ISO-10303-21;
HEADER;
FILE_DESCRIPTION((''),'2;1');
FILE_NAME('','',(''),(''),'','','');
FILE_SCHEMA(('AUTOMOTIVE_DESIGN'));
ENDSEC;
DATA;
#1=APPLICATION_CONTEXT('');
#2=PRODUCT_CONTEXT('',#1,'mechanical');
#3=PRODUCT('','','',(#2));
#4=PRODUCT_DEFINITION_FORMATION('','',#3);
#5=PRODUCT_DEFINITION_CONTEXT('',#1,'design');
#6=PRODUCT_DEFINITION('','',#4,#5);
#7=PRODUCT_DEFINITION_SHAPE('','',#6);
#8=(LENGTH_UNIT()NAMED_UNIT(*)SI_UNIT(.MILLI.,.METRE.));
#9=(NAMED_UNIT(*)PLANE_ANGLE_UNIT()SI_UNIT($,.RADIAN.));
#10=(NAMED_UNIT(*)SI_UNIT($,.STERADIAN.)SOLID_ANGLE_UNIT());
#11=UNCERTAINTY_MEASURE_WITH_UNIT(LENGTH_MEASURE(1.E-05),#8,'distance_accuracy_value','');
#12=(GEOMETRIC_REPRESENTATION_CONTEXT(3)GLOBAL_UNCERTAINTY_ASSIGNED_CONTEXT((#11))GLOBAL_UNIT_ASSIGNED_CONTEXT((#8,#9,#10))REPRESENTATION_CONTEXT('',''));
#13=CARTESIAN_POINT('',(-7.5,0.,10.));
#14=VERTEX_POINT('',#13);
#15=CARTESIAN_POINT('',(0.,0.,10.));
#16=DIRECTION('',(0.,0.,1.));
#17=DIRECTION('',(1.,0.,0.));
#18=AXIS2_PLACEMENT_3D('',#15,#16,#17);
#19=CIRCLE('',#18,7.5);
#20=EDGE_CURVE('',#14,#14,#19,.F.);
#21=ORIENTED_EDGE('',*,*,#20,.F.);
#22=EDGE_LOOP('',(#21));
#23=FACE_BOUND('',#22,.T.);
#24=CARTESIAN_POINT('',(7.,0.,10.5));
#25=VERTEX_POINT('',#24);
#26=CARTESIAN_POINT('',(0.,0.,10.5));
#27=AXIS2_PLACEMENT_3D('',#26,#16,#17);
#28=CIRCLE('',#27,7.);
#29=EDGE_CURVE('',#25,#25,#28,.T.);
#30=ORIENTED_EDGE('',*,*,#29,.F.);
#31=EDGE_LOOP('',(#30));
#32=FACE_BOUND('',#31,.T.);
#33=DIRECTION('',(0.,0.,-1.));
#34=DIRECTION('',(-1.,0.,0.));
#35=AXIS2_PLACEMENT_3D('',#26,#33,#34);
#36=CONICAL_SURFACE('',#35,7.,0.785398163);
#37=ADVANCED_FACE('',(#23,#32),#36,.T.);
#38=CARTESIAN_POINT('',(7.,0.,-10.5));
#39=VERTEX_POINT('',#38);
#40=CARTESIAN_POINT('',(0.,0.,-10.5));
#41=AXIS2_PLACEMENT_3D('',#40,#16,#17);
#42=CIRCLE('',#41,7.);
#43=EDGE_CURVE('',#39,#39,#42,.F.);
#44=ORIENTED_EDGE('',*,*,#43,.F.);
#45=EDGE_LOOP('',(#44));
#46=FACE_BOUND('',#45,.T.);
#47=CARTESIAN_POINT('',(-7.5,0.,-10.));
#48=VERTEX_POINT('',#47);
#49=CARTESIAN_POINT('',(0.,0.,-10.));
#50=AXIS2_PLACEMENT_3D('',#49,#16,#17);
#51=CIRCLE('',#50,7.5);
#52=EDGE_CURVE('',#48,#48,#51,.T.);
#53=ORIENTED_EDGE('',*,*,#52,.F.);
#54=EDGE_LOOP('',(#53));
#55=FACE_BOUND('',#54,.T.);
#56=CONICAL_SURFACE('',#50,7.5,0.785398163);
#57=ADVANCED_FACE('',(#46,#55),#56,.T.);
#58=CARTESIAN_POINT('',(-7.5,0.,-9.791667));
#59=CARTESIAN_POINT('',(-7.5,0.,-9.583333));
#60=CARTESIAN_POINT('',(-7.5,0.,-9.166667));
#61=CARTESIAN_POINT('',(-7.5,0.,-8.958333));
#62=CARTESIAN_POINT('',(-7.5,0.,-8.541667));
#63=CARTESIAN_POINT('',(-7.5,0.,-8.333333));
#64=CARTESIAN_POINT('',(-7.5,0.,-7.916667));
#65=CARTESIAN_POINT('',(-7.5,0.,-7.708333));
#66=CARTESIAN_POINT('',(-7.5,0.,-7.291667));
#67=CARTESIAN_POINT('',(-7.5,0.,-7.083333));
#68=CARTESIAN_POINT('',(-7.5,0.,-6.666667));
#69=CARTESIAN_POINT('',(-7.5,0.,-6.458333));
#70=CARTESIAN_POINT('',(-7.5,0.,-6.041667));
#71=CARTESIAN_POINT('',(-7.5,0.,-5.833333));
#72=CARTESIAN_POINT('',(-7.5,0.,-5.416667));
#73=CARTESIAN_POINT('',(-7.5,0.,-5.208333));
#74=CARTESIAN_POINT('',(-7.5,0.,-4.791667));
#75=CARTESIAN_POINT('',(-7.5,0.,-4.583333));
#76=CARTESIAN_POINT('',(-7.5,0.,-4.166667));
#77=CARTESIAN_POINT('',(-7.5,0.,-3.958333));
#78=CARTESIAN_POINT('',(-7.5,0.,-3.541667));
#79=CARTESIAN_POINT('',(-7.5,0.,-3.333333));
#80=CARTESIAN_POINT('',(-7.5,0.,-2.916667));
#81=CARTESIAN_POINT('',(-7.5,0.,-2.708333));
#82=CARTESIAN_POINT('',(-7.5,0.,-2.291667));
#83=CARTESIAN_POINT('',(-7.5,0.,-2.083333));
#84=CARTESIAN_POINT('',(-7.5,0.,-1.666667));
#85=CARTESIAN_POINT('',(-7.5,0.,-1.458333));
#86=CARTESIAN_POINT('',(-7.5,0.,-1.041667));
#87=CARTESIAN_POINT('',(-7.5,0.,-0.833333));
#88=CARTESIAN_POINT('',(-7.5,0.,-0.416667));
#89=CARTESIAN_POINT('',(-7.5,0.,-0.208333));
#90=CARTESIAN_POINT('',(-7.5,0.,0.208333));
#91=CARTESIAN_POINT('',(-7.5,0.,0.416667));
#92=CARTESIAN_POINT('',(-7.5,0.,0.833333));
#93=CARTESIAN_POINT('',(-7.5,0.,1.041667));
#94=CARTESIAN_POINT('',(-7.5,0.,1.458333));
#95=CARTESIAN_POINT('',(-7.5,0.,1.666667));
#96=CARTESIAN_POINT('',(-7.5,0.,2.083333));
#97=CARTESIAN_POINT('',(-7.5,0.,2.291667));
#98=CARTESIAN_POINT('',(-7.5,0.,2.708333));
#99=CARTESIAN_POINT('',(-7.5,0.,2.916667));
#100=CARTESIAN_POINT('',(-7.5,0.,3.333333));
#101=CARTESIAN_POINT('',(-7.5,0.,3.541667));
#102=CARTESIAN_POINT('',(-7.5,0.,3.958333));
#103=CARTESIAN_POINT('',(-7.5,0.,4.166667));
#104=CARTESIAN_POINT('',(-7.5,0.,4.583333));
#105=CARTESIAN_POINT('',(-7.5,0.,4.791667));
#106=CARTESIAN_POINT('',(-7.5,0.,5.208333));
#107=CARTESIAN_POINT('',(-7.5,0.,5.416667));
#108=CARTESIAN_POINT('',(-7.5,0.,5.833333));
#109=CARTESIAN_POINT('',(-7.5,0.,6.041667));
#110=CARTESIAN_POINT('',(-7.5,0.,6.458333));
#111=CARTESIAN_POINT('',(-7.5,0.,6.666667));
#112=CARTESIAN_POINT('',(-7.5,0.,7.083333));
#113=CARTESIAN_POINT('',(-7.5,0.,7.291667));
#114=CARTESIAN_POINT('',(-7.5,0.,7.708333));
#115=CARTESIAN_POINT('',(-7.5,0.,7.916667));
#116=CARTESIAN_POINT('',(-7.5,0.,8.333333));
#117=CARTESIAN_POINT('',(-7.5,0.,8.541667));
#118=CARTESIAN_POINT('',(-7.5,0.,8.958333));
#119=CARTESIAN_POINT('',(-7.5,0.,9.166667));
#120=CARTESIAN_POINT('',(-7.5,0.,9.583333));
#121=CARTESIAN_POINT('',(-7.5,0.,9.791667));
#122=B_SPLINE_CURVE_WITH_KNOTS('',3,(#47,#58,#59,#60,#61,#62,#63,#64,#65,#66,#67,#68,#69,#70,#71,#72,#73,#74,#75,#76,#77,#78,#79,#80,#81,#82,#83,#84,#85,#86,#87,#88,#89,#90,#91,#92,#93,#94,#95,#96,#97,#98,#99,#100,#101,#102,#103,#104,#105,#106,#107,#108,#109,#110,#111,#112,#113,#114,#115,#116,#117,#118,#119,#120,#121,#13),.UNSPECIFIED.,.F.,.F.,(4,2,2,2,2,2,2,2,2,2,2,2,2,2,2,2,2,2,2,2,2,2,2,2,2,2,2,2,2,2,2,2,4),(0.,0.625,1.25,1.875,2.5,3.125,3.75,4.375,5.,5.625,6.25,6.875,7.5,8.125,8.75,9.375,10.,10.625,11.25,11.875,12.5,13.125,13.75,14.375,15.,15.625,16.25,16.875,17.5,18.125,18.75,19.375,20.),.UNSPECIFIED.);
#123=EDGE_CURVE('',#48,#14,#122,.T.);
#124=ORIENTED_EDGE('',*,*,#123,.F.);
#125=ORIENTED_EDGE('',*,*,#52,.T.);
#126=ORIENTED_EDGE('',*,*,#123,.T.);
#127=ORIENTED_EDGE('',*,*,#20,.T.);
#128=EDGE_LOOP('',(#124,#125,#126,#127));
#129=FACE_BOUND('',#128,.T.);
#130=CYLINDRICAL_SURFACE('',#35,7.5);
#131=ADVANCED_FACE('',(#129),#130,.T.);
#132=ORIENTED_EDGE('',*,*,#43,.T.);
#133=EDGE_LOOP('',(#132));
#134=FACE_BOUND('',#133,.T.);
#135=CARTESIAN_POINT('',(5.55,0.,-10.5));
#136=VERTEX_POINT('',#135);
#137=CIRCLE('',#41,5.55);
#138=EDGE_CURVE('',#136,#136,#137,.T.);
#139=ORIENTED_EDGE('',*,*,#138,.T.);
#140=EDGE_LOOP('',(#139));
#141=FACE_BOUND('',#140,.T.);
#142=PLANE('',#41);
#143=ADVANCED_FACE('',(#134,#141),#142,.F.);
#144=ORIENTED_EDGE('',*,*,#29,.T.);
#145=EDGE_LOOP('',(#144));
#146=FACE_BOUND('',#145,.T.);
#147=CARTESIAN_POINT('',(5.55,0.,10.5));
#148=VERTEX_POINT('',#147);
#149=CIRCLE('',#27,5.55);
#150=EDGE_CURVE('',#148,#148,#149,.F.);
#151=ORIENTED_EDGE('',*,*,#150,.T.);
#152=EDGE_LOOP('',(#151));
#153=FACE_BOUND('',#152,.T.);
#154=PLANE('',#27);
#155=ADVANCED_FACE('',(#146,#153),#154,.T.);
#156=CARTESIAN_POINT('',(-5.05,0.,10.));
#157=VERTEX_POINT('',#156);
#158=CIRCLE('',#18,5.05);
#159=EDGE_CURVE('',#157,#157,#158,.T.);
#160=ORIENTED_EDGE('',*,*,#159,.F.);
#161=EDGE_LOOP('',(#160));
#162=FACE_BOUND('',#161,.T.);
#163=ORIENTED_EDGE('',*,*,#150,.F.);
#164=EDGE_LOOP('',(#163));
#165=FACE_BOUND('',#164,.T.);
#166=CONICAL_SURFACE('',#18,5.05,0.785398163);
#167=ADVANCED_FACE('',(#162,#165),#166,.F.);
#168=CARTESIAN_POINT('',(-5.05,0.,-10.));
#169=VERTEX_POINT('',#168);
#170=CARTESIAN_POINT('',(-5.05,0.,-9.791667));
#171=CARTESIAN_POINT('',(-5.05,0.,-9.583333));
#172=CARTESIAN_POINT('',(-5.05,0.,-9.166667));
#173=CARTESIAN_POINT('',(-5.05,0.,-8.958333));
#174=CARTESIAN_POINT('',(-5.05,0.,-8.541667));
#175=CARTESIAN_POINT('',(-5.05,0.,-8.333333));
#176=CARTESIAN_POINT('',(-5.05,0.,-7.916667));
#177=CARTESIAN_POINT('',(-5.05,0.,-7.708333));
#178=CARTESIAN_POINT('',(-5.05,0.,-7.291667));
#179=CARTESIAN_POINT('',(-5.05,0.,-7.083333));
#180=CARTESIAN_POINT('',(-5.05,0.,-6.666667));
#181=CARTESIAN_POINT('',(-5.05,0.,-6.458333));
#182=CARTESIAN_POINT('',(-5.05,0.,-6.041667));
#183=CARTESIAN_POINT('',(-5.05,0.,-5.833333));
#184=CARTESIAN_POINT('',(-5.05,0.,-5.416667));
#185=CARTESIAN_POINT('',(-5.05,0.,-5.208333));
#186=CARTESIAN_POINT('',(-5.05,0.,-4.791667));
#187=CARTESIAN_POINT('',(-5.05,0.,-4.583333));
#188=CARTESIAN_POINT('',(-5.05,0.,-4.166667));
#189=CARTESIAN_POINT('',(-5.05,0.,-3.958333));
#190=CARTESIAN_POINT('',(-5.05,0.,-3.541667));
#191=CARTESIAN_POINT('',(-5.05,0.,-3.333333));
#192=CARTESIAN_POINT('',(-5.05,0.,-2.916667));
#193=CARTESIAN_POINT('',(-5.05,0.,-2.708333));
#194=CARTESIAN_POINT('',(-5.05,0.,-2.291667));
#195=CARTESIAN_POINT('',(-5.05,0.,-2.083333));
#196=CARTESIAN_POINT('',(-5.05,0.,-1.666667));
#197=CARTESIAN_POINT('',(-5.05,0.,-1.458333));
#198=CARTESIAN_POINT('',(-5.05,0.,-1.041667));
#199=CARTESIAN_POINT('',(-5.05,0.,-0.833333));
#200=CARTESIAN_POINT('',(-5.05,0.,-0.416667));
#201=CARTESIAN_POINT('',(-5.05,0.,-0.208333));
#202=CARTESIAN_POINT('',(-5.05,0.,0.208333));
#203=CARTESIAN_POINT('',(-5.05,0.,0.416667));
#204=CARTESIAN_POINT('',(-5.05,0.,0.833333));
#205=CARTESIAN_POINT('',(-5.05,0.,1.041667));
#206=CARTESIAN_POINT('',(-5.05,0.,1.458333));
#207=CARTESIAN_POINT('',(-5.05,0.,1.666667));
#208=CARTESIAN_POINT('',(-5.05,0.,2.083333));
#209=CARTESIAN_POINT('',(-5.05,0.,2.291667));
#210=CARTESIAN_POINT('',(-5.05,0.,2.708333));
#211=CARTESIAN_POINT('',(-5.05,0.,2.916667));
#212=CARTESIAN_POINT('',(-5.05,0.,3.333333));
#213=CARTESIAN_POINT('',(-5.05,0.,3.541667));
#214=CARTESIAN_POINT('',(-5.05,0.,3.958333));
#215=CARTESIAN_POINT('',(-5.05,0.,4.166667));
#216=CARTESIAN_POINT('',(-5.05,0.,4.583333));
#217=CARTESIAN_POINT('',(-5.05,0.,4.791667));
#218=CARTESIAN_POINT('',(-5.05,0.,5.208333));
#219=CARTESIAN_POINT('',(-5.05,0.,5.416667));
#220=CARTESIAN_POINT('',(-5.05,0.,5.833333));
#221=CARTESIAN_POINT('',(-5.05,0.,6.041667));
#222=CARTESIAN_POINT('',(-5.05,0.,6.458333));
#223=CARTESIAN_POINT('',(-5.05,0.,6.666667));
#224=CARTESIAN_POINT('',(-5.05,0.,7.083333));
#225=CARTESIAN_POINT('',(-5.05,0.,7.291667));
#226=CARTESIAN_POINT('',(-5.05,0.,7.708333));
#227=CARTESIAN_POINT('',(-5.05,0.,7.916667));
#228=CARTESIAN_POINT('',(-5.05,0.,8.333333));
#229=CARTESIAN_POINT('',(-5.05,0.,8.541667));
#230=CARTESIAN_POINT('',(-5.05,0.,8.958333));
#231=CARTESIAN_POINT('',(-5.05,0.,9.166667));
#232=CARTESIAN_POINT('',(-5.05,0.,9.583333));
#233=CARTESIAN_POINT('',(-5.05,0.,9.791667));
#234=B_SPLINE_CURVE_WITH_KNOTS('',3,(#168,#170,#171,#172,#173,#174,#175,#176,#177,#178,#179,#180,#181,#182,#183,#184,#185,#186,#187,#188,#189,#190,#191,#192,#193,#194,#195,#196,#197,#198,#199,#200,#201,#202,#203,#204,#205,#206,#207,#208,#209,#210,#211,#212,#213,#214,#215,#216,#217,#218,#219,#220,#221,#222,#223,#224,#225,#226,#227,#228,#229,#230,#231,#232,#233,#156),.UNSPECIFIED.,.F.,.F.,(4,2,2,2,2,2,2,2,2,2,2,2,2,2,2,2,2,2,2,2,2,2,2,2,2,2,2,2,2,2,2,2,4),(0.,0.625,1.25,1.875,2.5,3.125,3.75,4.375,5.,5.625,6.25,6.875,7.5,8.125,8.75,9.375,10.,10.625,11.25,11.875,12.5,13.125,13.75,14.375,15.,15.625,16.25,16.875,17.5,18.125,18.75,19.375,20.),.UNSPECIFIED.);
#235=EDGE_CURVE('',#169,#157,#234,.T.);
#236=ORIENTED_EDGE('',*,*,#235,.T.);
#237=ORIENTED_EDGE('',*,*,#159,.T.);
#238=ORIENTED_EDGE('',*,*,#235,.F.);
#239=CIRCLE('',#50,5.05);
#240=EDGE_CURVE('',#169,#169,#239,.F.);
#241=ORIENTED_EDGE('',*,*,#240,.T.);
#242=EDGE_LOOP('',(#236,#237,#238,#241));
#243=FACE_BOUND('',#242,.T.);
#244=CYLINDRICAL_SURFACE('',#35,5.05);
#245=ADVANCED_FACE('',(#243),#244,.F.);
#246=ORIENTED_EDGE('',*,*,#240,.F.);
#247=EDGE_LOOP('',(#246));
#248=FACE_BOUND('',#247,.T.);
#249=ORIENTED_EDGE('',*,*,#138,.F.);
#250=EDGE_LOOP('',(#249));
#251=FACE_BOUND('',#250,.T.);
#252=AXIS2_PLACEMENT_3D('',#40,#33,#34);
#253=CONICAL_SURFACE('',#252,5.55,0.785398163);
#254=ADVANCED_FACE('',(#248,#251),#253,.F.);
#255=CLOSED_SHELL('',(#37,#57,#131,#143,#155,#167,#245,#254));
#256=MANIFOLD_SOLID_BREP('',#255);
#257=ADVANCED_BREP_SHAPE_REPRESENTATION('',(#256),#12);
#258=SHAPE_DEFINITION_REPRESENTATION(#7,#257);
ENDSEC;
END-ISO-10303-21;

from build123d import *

# Parameters (mm, degrees)
ESBO_O1_R                = 7.5
ESBO_O1_R_2              = 5.05
RESSALTO_EXTRUS_O1_DEPTH = 10.5
CHANFRO1_SIZE            = 0.5


with BuildPart() as part:
    # Esboço1 → Ressalto-extrusão1 (new, symmetric)
    with BuildSketch(Plane.XY):
        with Locations(Location((0, 0, 0), (0, 0, 180))):
            Circle(ESBO_O1_R)
        with Locations(Location((0, 0, 0), (0, 0, 180))):
            Circle(ESBO_O1_R_2, mode=Mode.SUBTRACT)
    extrude(amount=RESSALTO_EXTRUS_O1_DEPTH, both=True)

    # Chanfro1
    chanfro1_edges = [part.edges().sort_by_distance(p)[0] for p in [
        (7.5, 0, -10.5),
        (7.5, 0, 10.5),
        (5.05, 0, -10.5),
        (5.05, 0, 10.5),
    ]]
    chamfer(chanfro1_edges, length=CHANFRO1_SIZE)


solid = part.part
